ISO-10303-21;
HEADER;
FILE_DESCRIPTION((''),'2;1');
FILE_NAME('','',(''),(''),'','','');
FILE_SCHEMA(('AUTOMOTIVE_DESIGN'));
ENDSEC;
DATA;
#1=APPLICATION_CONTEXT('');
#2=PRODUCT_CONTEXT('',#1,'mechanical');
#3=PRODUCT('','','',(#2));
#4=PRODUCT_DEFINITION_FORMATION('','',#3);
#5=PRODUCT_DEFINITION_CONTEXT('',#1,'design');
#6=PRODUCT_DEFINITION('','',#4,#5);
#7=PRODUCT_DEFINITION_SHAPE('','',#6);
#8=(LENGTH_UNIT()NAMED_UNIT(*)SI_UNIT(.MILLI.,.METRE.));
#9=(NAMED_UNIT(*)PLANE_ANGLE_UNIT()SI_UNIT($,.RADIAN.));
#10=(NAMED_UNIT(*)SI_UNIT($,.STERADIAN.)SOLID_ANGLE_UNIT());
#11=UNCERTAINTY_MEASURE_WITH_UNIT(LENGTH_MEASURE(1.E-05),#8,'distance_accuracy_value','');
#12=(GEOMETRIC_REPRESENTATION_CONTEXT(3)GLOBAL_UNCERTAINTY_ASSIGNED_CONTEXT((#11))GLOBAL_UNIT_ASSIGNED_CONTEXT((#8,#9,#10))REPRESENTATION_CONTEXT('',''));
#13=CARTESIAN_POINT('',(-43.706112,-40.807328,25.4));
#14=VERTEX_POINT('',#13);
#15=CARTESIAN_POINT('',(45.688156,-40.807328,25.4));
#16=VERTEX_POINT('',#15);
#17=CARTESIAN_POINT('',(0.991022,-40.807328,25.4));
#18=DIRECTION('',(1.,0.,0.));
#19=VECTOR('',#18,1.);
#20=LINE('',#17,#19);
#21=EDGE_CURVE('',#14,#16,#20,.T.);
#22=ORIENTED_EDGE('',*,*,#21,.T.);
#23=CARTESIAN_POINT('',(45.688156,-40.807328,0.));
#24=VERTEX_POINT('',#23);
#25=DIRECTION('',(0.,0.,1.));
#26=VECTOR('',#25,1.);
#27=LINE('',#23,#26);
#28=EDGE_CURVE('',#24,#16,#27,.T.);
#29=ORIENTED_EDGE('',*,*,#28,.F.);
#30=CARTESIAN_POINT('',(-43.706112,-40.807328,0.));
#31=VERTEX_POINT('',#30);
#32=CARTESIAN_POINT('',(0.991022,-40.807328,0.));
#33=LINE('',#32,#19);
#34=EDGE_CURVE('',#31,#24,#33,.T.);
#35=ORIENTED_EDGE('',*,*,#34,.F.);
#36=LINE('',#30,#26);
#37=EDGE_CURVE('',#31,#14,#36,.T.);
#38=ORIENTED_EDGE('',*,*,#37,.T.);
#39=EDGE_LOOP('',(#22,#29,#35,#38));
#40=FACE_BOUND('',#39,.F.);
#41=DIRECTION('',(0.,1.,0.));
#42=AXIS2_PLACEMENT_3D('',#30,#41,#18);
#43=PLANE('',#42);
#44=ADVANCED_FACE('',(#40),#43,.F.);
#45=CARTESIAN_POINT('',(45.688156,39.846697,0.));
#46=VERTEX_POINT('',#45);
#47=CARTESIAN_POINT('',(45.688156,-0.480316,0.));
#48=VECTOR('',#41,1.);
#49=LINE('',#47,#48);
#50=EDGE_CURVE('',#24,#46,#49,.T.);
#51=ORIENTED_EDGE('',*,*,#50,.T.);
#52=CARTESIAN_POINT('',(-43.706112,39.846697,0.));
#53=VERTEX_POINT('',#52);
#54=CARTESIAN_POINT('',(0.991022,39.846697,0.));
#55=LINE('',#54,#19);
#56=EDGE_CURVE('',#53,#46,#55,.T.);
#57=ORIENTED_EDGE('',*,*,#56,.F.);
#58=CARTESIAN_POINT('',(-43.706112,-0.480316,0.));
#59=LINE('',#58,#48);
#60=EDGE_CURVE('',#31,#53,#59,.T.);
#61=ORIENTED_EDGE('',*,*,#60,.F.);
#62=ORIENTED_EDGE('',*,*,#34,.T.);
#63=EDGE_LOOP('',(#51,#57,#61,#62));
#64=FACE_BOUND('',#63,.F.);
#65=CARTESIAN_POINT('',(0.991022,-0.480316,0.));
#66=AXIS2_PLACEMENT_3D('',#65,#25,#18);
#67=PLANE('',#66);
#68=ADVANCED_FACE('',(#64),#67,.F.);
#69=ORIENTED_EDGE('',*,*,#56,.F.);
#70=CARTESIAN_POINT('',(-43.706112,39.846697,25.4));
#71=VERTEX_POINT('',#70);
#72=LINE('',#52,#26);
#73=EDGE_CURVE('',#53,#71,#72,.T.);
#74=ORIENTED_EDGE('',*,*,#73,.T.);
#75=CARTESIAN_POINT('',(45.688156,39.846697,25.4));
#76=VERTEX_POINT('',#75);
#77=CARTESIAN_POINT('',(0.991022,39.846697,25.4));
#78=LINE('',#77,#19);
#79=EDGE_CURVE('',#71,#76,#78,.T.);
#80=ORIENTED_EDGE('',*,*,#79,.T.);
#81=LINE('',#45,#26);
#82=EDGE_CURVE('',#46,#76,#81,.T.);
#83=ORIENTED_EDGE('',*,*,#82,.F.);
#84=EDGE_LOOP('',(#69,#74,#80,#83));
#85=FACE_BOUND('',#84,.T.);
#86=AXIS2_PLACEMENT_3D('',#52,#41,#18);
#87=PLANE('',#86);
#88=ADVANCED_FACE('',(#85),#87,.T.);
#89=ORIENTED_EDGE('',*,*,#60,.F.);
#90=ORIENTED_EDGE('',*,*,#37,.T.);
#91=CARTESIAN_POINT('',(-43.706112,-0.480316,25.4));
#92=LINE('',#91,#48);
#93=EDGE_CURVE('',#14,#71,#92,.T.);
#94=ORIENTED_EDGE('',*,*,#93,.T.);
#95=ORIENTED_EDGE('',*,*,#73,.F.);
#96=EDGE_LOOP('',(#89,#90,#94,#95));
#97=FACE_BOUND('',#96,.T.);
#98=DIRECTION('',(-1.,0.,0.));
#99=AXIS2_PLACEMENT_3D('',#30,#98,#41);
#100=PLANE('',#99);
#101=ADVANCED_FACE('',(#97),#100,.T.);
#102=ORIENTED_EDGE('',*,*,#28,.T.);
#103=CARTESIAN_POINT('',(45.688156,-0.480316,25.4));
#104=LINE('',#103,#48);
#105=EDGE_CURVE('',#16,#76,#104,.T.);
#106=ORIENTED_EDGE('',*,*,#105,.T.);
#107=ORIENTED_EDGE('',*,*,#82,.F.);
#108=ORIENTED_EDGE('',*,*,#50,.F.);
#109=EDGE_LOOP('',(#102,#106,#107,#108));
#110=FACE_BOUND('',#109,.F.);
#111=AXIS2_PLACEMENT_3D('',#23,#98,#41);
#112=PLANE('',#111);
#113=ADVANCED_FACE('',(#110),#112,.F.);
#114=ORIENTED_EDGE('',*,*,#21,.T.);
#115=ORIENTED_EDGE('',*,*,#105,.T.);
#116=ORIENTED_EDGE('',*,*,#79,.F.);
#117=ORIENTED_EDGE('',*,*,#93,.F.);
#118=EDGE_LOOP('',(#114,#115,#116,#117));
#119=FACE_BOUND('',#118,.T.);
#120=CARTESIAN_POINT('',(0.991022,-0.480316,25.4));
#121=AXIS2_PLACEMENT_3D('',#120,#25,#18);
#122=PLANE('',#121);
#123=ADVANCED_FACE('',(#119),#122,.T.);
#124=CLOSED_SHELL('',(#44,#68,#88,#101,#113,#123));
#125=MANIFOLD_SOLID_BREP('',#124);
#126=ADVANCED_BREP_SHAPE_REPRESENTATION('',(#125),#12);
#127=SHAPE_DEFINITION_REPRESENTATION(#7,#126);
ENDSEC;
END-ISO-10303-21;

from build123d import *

# Parameters (mm, degrees)
F1_W     = 89.394268
F1_H     = 80.654025
F2_DEPTH = 25.4


with BuildPart() as f2:
    # F1 (on face) → F2 (new body)
    with BuildSketch(Plane.XY):
        with Locations((0.991022, -0.480316)):
            Rectangle(F1_W, F1_H)
    extrude(amount=F2_DEPTH)


solid = f2.part
